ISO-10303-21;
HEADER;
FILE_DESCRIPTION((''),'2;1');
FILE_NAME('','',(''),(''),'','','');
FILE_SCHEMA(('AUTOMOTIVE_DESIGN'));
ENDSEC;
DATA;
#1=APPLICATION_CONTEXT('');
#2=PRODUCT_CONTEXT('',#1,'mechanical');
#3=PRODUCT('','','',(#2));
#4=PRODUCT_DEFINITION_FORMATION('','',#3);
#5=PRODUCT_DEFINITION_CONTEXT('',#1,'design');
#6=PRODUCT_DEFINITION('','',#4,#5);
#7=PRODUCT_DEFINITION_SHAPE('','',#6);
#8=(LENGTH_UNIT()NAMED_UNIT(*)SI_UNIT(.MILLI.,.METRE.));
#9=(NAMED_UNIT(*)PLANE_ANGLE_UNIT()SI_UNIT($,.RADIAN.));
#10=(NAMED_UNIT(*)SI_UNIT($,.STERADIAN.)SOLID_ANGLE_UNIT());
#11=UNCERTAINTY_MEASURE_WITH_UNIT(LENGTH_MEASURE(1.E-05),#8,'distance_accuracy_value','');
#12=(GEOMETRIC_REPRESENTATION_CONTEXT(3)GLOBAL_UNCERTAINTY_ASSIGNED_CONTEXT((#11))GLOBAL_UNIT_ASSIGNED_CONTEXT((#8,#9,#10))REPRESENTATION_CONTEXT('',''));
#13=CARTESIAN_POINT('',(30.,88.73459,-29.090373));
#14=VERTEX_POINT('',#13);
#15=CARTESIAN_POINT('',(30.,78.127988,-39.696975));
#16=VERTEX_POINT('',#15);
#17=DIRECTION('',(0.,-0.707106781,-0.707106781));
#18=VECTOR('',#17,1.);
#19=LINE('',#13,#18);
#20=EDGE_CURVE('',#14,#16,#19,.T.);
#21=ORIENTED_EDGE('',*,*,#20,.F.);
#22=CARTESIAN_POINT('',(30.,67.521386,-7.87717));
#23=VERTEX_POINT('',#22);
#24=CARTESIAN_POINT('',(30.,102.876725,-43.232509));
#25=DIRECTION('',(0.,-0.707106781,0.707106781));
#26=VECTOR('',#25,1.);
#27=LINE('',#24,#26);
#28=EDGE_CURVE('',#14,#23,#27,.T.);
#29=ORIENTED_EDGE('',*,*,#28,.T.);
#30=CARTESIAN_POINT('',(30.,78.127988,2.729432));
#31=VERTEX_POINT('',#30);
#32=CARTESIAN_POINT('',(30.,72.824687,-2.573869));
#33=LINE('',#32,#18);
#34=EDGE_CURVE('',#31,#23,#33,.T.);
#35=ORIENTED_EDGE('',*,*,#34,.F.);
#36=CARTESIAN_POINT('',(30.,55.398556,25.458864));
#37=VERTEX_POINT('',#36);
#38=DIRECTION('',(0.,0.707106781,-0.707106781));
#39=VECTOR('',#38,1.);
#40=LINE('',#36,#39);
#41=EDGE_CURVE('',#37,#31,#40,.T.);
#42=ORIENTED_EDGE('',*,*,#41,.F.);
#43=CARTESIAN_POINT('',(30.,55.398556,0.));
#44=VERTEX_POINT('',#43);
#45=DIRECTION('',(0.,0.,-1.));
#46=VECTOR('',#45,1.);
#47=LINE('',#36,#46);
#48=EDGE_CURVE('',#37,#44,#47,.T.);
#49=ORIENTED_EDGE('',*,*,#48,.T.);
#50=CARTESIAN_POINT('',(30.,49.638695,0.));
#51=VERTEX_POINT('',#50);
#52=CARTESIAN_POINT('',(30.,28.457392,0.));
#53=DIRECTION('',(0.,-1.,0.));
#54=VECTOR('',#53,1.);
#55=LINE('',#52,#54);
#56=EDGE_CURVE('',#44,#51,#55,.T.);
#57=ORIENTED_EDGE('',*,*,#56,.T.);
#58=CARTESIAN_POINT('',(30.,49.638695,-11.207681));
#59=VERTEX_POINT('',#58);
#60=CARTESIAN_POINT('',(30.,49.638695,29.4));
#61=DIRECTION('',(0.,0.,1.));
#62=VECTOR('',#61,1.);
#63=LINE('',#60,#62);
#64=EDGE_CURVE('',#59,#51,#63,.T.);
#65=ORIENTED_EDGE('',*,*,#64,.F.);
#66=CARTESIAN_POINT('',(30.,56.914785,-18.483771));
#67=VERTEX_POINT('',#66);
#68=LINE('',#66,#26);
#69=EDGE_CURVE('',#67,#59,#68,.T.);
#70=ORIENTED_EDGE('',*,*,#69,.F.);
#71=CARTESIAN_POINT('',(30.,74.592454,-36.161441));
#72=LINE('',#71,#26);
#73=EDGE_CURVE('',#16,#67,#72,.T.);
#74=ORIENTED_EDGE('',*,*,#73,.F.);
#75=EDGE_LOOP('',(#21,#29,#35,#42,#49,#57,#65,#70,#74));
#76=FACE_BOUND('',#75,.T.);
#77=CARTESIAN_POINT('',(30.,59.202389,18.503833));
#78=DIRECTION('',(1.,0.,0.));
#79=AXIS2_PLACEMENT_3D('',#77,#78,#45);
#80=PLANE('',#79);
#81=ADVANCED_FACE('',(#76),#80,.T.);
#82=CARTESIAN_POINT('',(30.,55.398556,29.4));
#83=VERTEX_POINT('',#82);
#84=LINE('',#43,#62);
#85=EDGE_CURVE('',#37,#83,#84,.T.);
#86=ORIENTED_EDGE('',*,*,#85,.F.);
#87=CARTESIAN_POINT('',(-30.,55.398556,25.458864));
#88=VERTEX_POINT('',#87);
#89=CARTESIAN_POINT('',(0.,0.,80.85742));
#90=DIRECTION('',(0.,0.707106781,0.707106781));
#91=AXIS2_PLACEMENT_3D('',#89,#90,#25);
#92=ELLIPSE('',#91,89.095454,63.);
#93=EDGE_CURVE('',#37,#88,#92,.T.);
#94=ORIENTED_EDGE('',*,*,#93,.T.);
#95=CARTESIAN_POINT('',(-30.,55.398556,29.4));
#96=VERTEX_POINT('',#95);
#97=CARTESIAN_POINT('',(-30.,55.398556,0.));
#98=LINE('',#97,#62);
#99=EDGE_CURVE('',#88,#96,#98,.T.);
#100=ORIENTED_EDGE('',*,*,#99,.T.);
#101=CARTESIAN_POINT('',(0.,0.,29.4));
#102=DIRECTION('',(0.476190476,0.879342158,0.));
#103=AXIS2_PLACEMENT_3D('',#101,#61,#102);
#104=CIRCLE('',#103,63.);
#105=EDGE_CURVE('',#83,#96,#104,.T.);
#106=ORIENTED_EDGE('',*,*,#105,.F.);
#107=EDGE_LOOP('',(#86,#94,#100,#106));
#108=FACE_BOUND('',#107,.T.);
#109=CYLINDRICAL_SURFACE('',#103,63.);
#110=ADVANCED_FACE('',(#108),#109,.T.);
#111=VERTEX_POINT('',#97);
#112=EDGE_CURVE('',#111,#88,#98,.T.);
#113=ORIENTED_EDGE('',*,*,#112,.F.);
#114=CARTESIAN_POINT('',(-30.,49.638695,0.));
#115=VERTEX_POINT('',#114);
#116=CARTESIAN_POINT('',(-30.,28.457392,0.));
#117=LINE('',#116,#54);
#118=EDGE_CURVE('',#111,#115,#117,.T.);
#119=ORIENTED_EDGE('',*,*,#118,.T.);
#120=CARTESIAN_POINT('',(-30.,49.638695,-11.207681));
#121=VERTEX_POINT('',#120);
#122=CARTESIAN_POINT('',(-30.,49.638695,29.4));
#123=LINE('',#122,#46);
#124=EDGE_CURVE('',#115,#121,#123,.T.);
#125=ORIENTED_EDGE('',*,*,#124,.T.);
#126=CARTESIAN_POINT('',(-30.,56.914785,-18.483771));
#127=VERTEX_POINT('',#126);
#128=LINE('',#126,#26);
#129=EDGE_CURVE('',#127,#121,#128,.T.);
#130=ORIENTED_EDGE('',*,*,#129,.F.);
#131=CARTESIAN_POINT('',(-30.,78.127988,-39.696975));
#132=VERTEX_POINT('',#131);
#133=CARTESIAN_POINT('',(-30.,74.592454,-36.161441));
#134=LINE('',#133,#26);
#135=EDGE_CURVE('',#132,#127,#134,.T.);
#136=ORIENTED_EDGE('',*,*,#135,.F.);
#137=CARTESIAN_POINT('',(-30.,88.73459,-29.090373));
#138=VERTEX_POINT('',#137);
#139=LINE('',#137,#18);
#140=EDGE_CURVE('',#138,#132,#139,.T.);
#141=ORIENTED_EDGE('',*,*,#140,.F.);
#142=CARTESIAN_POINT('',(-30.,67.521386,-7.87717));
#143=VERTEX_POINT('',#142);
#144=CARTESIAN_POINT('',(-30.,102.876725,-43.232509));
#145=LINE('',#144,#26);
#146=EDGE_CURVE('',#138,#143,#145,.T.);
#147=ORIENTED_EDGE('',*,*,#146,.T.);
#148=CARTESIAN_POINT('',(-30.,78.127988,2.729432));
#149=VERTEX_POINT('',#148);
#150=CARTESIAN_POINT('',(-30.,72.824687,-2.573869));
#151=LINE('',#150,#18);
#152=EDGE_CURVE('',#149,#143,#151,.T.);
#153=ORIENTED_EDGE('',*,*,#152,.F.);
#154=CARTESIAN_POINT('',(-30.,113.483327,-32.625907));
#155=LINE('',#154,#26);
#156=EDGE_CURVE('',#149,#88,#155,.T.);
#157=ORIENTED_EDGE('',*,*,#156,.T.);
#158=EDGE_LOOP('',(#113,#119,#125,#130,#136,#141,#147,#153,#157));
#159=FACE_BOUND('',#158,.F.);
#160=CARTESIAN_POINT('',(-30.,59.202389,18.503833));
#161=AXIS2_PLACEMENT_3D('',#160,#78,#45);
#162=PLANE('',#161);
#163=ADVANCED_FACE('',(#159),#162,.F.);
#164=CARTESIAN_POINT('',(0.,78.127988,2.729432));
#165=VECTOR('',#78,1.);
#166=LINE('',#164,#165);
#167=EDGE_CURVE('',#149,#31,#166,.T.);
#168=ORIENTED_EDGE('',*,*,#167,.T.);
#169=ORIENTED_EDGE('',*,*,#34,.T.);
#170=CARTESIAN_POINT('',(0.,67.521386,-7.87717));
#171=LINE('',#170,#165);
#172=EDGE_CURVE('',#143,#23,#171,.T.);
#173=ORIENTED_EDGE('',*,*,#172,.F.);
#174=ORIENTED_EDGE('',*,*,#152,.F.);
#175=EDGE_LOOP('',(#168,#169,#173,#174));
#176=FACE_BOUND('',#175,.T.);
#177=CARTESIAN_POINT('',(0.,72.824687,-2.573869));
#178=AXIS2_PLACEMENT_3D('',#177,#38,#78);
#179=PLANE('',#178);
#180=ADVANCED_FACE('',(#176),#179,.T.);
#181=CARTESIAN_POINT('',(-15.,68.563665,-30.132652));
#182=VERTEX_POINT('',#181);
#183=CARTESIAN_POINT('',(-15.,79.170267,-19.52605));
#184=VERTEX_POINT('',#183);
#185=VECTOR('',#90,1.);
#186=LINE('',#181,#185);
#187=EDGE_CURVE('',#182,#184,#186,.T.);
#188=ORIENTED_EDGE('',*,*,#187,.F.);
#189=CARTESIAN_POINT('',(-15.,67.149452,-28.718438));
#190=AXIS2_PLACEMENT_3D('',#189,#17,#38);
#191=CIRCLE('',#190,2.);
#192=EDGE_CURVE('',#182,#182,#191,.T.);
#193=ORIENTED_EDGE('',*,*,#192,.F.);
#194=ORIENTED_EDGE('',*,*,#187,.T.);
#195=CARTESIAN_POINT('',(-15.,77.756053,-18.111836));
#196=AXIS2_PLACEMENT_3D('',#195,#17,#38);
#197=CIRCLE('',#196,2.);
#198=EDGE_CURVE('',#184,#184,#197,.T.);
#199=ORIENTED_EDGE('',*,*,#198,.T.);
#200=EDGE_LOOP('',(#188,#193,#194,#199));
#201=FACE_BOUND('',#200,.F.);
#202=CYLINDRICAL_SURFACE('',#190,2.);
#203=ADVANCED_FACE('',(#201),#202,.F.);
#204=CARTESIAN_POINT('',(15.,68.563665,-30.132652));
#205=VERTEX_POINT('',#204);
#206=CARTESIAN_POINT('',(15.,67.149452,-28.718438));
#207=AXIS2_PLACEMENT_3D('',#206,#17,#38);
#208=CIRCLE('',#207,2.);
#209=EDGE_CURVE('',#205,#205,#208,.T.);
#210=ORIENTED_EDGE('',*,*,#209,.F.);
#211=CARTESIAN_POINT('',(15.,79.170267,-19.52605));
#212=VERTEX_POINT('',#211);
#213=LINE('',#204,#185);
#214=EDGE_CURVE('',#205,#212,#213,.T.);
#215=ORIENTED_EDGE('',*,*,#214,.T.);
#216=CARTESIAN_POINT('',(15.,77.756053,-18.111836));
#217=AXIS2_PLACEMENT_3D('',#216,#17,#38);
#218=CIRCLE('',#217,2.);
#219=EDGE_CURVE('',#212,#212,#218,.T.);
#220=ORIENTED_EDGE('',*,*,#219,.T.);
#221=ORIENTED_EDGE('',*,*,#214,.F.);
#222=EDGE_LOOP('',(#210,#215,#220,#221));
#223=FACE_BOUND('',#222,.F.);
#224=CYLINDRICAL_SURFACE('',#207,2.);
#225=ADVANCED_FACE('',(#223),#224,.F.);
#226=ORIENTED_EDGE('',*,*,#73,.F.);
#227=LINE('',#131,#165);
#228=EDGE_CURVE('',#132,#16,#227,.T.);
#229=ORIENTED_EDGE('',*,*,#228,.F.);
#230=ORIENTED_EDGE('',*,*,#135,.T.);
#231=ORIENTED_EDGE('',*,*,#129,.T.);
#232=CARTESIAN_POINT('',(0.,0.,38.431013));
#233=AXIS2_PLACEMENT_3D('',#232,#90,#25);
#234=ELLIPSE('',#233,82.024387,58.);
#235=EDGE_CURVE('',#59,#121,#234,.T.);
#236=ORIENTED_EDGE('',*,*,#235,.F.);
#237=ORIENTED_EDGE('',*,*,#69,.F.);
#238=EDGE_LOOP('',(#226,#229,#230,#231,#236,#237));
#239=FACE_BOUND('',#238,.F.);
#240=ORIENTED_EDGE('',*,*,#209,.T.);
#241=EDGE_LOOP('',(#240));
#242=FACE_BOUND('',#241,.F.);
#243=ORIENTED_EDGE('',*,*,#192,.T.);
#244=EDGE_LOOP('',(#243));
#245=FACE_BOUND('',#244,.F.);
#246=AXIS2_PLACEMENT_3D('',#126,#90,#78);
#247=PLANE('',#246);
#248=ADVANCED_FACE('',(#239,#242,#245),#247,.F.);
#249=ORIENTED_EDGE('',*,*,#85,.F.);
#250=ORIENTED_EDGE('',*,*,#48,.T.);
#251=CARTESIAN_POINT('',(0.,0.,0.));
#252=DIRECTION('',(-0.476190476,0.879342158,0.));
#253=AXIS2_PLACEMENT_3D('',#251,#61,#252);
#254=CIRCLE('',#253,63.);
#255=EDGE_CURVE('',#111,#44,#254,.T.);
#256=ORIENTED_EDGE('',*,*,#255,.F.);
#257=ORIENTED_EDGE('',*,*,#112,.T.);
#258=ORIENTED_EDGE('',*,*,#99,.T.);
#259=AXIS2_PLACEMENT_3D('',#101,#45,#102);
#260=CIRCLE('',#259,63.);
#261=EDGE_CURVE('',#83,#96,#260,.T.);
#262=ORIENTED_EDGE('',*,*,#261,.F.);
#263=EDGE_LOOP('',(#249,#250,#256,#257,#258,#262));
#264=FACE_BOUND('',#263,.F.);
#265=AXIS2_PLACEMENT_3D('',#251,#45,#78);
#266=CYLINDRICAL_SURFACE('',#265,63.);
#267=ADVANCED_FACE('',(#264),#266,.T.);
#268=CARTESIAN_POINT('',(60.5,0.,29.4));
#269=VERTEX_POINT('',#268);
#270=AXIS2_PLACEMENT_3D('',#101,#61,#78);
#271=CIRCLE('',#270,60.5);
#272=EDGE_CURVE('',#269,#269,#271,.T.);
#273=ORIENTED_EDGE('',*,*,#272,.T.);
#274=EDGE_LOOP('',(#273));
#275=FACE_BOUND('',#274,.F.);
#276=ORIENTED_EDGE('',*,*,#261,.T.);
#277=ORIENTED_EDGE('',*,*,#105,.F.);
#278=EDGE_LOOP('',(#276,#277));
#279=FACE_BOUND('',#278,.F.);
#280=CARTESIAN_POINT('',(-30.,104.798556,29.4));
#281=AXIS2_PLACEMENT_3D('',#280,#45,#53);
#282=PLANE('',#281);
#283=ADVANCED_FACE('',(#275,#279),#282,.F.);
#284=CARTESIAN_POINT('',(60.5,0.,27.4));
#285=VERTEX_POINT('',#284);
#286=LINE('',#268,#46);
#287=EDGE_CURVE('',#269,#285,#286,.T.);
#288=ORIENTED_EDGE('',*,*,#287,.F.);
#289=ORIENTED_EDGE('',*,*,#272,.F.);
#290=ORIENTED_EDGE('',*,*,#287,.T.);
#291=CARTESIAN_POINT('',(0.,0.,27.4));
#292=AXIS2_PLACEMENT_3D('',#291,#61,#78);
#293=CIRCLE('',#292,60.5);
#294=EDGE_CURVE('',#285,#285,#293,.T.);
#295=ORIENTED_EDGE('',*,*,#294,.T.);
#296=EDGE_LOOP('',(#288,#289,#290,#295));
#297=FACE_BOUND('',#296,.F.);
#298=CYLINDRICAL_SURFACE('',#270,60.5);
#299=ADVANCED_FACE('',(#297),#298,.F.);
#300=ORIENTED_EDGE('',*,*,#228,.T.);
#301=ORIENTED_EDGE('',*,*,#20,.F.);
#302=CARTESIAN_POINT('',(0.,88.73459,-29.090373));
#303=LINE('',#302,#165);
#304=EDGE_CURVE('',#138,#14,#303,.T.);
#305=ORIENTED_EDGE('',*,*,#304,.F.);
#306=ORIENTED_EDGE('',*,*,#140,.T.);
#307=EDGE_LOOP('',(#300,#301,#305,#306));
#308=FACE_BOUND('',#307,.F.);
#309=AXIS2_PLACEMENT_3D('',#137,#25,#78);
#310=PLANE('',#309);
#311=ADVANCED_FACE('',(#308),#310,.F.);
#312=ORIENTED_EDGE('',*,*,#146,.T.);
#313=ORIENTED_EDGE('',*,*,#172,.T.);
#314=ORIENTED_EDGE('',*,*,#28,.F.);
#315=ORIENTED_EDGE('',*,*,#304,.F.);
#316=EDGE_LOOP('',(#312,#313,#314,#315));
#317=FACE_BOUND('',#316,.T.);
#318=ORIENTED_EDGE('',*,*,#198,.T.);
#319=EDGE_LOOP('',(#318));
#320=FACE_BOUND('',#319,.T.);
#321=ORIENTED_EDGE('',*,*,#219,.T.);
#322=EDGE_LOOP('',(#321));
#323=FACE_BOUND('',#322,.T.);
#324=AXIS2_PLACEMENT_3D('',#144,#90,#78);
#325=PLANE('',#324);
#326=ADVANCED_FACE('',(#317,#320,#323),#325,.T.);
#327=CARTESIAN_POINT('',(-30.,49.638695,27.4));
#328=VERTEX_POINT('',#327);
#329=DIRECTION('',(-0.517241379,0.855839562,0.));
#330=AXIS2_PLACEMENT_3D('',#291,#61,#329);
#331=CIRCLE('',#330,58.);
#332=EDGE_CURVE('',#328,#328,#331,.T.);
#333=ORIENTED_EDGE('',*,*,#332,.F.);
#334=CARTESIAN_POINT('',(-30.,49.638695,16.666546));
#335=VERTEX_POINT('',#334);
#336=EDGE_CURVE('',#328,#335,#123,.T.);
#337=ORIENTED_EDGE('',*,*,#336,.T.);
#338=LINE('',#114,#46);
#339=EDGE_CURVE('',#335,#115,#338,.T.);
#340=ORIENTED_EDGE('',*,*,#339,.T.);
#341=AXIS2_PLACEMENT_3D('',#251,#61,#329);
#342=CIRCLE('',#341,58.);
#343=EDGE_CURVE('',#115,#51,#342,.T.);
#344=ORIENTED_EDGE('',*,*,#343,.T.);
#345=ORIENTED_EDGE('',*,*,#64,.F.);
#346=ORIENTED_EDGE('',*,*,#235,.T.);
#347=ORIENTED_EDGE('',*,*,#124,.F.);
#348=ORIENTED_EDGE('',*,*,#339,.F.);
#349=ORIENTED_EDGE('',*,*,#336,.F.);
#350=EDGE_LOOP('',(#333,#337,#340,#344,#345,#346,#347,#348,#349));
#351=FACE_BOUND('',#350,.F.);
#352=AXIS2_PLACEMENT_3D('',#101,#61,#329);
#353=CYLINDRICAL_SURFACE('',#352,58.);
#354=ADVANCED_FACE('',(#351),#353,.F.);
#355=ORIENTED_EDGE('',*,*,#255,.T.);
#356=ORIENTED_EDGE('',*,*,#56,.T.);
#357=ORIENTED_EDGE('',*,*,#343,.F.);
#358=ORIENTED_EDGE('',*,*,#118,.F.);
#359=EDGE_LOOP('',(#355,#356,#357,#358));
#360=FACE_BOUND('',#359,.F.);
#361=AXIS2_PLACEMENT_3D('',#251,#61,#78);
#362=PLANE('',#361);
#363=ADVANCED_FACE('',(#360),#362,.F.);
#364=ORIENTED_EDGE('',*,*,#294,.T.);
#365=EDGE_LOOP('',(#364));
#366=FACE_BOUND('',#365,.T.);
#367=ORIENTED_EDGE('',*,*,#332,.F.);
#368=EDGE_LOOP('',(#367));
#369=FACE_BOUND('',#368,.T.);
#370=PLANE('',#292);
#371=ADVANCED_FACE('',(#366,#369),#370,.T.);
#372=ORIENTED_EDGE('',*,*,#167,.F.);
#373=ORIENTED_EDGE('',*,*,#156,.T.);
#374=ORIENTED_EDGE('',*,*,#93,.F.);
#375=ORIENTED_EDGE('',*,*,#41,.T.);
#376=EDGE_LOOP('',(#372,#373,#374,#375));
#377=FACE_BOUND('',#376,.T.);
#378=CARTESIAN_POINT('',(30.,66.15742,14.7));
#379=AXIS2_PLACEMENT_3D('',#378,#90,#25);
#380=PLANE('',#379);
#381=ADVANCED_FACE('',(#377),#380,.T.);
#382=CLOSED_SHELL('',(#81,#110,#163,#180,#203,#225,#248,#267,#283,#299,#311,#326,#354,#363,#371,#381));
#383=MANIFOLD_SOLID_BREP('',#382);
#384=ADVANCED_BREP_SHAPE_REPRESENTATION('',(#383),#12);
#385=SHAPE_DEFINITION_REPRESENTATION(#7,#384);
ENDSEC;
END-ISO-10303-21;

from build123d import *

# Parameters (mm, degrees)
SKETCH1_R                  = 63
SKETCH1_R_2                = 58
BOSS_EXTRUDE1_DEPTH        = 29.4
SKETCH2_R                  = 60.5
SKETCH2_R_2                = 58
CUT_EXTRUDE1_DEPTH         = 2
BOSS_EXTRUDE2_REACH        = 115.821
BOSS_EXTRUDE2_START_RADIUS = 63
BOSS_EXTRUDE2_END_RADIUS   = 63
SKETCH3_W                  = 60
SKETCH3_H                  = 29.4
SKETCH5_W                  = 29.4
SKETCH5_H                  = 24.463774017
CUT_EXTRUDE2_DEPTH         = 60
BOSS_EXTRUDE3_DEPTH        = 60
SKETCH7_W                  = 60
SKETCH7_H                  = 41.577878734
BOSS_EXTRUDE4_DEPTH        = 50
CUT_EXTRUDE3_REACH         = 173.878
SKETCH9_W                  = 60
SKETCH9_H                  = 50
BOSS_EXTRUDE5_DEPTH        = 26.14
SKETCH10_W                 = 60
SKETCH10_H                 = 26.14
BOSS_EXTRUDE6_DEPTH        = 30
SKETCH11_R                 = 58
CUT_EXTRUDE4_DEPTH         = 168.932327916
SKETCH14_W                 = 60
SKETCH14_H                 = 55.370879129
CUT_EXTRUDE5_DEPTH         = 14.7
CUT_EXTRUDE6_REACH         = 171.856
BOSS_EXTRUDE7_DEPTH        = 60
SKETCH17_R                 = 58
CUT_EXTRUDE7_DEPTH         = 155.195379415
SKETCH18_W                 = 60
SKETCH18_H                 = 15
CUT_EXTRUDE8_DEPTH         = 50
SKETCH19_R                 = 2
CUT_EXTRUDE9_DEPTH         = 15
SKETCH20_W                 = 60
SKETCH20_H                 = 20
CUT_EXTRUDE10_DEPTH        = 140.943357594


with BuildPart() as part:
    # Sketch1 → Boss-Extrude1 (new body)
    with BuildSketch(Plane.XY):
        Circle(SKETCH1_R)
        Circle(SKETCH1_R_2, mode=Mode.SUBTRACT)
    extrude(amount=BOSS_EXTRUDE1_DEPTH)

    # Sketch2 → Cut-Extrude1 (cut)
    with BuildSketch(Plane.XY.offset(29.4)):
        Circle(SKETCH2_R)
        Circle(SKETCH2_R_2, mode=Mode.SUBTRACT)
    extrude(amount=-CUT_EXTRUDE1_DEPTH, mode=Mode.SUBTRACT)

    # Boss-Extrude2: from a cylinder face, 115.821 long prism both ways, kept between that surface and its translate by the depth
    boss_extrude2_start = Plane(origin=(0, 0, 14.7), z_dir=(0, 0, -1)) * Cylinder(BOSS_EXTRUDE2_START_RADIUS, 358.642, mode=Mode.PRIVATE)
    boss_extrude2_end = Plane(origin=(0, 20, 14.7), z_dir=(0, 0, -1)) * Cylinder(BOSS_EXTRUDE2_END_RADIUS, 358.642, mode=Mode.PRIVATE)
    # Sketch3 → Boss-Extrude2 (add, from a surface)
    with BuildSketch(Plane(origin=(0, 0, 0), x_dir=(1, 0, 0), z_dir=(0, 1, 0)), mode=Mode.PRIVATE) as boss_extrude2_sk1:
        with Locations((0, -14.7)):
            Rectangle(SKETCH3_W, SKETCH3_H)
    boss_extrude2_tool1 = extrude(boss_extrude2_sk1.sketch, amount=BOSS_EXTRUDE2_REACH, both=True, mode=Mode.PRIVATE)
    add(((boss_extrude2_tool1 - boss_extrude2_start) & boss_extrude2_end).solids().sort_by_distance((0, 65.398556, 14.7))[0])

    # Sketch5 → Cut-Extrude2 (cut)
    with BuildSketch(Plane.ZY.offset(30)):
        with Locations((14.7, 87.630442947)):
            Rectangle(SKETCH5_W, SKETCH5_H)
    extrude(amount=-CUT_EXTRUDE2_DEPTH, mode=Mode.SUBTRACT)

    # Sketch6 → Boss-Extrude3 (add)
    with BuildSketch(Plane.ZY.offset(30)):
        Polygon((0, 75.398555938), (29.4, 104.798555938), (29.4, 75.398555938), align=None)
    extrude(amount=-BOSS_EXTRUDE3_DEPTH)

    # Sketch7 → Boss-Extrude4 (add)
    with BuildSketch(Plane(origin=(0, 37.699277969, -37.699277969), x_dir=(1, 0, 0), z_dir=(0, 0.7071067811865513, -0.7071067811865438))):
        with Locations((0, -74.103769562)):
            Rectangle(SKETCH7_W, SKETCH7_H)
    extrude(amount=BOSS_EXTRUDE4_DEPTH)

    # Sketch8 → Cut-Extrude3 (cut, up to next)
    with BuildSketch(Plane(origin=(30, 0, 0), x_dir=(0, 0, -1), z_dir=(1, 0, 0)), mode=Mode.PRIVATE) as cut_extrude3_sk1:
        Polygon((14.566399692, 131.542834364), (-29.4, 87.576434672), (-29.4, 104.798555938), (5.955339059, 140.153894997), align=None)
    cut_extrude3_tool1 = extrude(cut_extrude3_sk1.sketch, amount=-CUT_EXTRUDE3_REACH, mode=Mode.PRIVATE) & part.part
    add(cut_extrude3_tool1.solids().sort_by_distance((30, 115.784229, 9.491665))[0], mode=Mode.SUBTRACT)

    # Sketch9 → Boss-Extrude5 (add)
    with BuildSketch(Plane(origin=(0, 37.699277969, 37.699277969), x_dir=(1, 0, 0), z_dir=(0, -0.7071067811865438, -0.7071067811865512))):
        with Locations((0, -78.314830195)):
            Rectangle(SKETCH9_W, SKETCH9_H)
    extrude(amount=BOSS_EXTRUDE5_DEPTH)

    # Sketch10 → Boss-Extrude6 (add)
    with BuildSketch(Plane(origin=(0, 37.699277969, -37.699277969), x_dir=(1, 0, 0), z_dir=(0, -0.7071067811865511, 0.707106781186544))):
        with Locations((0, 40.244830195)):
            Rectangle(SKETCH10_W, SKETCH10_H)
    extrude(amount=BOSS_EXTRUDE6_DEPTH)

    # Sketch11 → Cut-Extrude4 (cut, through all)
    with BuildSketch(Plane.XY.offset(29.4)):
        with Locations(Location((0, 0, 0), (0, 0, 121.147389922))):
            Circle(SKETCH11_R)
    extrude(amount=-CUT_EXTRUDE4_DEPTH, mode=Mode.SUBTRACT)

    # Sketch14 → Cut-Extrude5 (cut)
    with BuildSketch(Plane.XY.offset(29.4)):
        with Locations((0, 115.261874237)):
            Rectangle(SKETCH14_W, SKETCH14_H)
        with BuildLine():
            ThreePointArc((30, 55.398555938), (0, 63), (-30, 55.398555938))
            Line((-30, 55.398555938), (-30, 87.576434672))
            Line((-30, 87.576434672), (30, 87.576434672))
            Line((30, 87.576434672), (30, 55.398555938))
        make_face()
    extrude(amount=-CUT_EXTRUDE5_DEPTH, mode=Mode.SUBTRACT)

    # Sketch15 → Cut-Extrude6 (cut, up to next)
    with BuildSketch(Plane(origin=(30, 0, 0), x_dir=(0, 0, -1), z_dir=(1, 0, 0)), mode=Mode.PRIVATE) as cut_extrude6_sk1:
        Polygon((32.625906884, 113.483327173), (-14.7, 66.157420289), (-14.7, 102.276434672), (14.566399692, 131.542834364), align=None)
    cut_extrude6_tool1 = extrude(cut_extrude6_sk1.sketch, amount=-CUT_EXTRUDE6_REACH, mode=Mode.PRIVATE) & part.part
    add(cut_extrude6_tool1.solids().sort_by_distance((30, 102.300453, -4.802927))[0], mode=Mode.SUBTRACT)

    # Sketch16 → Boss-Extrude7 (add)
    with BuildSketch(Plane(origin=(30, 0, 0), x_dir=(0, 0, -1), z_dir=(1, 0, 0))):
        Polygon((-14.7, 66.157420289), (-25.458864351, 55.398555938), (-14.7, 55.398555938), align=None)
    extrude(amount=-BOSS_EXTRUDE7_DEPTH)

    # Sketch17 → Cut-Extrude7 (cut, through all)
    with BuildSketch(Plane.XY.offset(29.4)):
        with Locations(Location((0, 0, 0), (0, 0, 121.147389922))):
            Circle(SKETCH17_R)
    extrude(amount=-CUT_EXTRUDE7_DEPTH, mode=Mode.SUBTRACT)

    # Sketch18 → Cut-Extrude8 (cut)
    with BuildSketch(Plane(origin=(0, 73.054617028, -73.054617028), x_dir=(1, 0, 0), z_dir=(0, 0.7071067811865512, -0.7071067811865438))):
        with Locations((0, -49.674830195)):
            Rectangle(SKETCH18_W, SKETCH18_H)
    extrude(amount=-CUT_EXTRUDE8_DEPTH, mode=Mode.SUBTRACT)

    # Sketch19 → Cut-Extrude9 (cut)
    with BuildSketch(Plane(origin=(0, 19.215506709, 19.215506709), x_dir=(1, 0, 0), z_dir=(0, -0.7071067811865438, -0.7071067811865512))):
        with Locations(Location((15, -67.788834976, 0), (0, 0, 270))):
            Circle(SKETCH19_R)
        with Locations(Location((-15, -67.788834976, 0), (0, 0, 270))):
            Circle(SKETCH19_R)
    extrude(amount=-CUT_EXTRUDE9_DEPTH, mode=Mode.SUBTRACT)

    # Sketch20 → Cut-Extrude10 (cut, through all)
    with BuildSketch(Plane(origin=(0, 29.822108427, 29.822108427), x_dir=(1, 0, 0), z_dir=(0, 0.7071067811865438, 0.7071067811865513))):
        with Locations((0, 93.314830195)):
            Rectangle(SKETCH20_W, SKETCH20_H)
    extrude(amount=-CUT_EXTRUDE10_DEPTH, mode=Mode.SUBTRACT)


solid = part.part
